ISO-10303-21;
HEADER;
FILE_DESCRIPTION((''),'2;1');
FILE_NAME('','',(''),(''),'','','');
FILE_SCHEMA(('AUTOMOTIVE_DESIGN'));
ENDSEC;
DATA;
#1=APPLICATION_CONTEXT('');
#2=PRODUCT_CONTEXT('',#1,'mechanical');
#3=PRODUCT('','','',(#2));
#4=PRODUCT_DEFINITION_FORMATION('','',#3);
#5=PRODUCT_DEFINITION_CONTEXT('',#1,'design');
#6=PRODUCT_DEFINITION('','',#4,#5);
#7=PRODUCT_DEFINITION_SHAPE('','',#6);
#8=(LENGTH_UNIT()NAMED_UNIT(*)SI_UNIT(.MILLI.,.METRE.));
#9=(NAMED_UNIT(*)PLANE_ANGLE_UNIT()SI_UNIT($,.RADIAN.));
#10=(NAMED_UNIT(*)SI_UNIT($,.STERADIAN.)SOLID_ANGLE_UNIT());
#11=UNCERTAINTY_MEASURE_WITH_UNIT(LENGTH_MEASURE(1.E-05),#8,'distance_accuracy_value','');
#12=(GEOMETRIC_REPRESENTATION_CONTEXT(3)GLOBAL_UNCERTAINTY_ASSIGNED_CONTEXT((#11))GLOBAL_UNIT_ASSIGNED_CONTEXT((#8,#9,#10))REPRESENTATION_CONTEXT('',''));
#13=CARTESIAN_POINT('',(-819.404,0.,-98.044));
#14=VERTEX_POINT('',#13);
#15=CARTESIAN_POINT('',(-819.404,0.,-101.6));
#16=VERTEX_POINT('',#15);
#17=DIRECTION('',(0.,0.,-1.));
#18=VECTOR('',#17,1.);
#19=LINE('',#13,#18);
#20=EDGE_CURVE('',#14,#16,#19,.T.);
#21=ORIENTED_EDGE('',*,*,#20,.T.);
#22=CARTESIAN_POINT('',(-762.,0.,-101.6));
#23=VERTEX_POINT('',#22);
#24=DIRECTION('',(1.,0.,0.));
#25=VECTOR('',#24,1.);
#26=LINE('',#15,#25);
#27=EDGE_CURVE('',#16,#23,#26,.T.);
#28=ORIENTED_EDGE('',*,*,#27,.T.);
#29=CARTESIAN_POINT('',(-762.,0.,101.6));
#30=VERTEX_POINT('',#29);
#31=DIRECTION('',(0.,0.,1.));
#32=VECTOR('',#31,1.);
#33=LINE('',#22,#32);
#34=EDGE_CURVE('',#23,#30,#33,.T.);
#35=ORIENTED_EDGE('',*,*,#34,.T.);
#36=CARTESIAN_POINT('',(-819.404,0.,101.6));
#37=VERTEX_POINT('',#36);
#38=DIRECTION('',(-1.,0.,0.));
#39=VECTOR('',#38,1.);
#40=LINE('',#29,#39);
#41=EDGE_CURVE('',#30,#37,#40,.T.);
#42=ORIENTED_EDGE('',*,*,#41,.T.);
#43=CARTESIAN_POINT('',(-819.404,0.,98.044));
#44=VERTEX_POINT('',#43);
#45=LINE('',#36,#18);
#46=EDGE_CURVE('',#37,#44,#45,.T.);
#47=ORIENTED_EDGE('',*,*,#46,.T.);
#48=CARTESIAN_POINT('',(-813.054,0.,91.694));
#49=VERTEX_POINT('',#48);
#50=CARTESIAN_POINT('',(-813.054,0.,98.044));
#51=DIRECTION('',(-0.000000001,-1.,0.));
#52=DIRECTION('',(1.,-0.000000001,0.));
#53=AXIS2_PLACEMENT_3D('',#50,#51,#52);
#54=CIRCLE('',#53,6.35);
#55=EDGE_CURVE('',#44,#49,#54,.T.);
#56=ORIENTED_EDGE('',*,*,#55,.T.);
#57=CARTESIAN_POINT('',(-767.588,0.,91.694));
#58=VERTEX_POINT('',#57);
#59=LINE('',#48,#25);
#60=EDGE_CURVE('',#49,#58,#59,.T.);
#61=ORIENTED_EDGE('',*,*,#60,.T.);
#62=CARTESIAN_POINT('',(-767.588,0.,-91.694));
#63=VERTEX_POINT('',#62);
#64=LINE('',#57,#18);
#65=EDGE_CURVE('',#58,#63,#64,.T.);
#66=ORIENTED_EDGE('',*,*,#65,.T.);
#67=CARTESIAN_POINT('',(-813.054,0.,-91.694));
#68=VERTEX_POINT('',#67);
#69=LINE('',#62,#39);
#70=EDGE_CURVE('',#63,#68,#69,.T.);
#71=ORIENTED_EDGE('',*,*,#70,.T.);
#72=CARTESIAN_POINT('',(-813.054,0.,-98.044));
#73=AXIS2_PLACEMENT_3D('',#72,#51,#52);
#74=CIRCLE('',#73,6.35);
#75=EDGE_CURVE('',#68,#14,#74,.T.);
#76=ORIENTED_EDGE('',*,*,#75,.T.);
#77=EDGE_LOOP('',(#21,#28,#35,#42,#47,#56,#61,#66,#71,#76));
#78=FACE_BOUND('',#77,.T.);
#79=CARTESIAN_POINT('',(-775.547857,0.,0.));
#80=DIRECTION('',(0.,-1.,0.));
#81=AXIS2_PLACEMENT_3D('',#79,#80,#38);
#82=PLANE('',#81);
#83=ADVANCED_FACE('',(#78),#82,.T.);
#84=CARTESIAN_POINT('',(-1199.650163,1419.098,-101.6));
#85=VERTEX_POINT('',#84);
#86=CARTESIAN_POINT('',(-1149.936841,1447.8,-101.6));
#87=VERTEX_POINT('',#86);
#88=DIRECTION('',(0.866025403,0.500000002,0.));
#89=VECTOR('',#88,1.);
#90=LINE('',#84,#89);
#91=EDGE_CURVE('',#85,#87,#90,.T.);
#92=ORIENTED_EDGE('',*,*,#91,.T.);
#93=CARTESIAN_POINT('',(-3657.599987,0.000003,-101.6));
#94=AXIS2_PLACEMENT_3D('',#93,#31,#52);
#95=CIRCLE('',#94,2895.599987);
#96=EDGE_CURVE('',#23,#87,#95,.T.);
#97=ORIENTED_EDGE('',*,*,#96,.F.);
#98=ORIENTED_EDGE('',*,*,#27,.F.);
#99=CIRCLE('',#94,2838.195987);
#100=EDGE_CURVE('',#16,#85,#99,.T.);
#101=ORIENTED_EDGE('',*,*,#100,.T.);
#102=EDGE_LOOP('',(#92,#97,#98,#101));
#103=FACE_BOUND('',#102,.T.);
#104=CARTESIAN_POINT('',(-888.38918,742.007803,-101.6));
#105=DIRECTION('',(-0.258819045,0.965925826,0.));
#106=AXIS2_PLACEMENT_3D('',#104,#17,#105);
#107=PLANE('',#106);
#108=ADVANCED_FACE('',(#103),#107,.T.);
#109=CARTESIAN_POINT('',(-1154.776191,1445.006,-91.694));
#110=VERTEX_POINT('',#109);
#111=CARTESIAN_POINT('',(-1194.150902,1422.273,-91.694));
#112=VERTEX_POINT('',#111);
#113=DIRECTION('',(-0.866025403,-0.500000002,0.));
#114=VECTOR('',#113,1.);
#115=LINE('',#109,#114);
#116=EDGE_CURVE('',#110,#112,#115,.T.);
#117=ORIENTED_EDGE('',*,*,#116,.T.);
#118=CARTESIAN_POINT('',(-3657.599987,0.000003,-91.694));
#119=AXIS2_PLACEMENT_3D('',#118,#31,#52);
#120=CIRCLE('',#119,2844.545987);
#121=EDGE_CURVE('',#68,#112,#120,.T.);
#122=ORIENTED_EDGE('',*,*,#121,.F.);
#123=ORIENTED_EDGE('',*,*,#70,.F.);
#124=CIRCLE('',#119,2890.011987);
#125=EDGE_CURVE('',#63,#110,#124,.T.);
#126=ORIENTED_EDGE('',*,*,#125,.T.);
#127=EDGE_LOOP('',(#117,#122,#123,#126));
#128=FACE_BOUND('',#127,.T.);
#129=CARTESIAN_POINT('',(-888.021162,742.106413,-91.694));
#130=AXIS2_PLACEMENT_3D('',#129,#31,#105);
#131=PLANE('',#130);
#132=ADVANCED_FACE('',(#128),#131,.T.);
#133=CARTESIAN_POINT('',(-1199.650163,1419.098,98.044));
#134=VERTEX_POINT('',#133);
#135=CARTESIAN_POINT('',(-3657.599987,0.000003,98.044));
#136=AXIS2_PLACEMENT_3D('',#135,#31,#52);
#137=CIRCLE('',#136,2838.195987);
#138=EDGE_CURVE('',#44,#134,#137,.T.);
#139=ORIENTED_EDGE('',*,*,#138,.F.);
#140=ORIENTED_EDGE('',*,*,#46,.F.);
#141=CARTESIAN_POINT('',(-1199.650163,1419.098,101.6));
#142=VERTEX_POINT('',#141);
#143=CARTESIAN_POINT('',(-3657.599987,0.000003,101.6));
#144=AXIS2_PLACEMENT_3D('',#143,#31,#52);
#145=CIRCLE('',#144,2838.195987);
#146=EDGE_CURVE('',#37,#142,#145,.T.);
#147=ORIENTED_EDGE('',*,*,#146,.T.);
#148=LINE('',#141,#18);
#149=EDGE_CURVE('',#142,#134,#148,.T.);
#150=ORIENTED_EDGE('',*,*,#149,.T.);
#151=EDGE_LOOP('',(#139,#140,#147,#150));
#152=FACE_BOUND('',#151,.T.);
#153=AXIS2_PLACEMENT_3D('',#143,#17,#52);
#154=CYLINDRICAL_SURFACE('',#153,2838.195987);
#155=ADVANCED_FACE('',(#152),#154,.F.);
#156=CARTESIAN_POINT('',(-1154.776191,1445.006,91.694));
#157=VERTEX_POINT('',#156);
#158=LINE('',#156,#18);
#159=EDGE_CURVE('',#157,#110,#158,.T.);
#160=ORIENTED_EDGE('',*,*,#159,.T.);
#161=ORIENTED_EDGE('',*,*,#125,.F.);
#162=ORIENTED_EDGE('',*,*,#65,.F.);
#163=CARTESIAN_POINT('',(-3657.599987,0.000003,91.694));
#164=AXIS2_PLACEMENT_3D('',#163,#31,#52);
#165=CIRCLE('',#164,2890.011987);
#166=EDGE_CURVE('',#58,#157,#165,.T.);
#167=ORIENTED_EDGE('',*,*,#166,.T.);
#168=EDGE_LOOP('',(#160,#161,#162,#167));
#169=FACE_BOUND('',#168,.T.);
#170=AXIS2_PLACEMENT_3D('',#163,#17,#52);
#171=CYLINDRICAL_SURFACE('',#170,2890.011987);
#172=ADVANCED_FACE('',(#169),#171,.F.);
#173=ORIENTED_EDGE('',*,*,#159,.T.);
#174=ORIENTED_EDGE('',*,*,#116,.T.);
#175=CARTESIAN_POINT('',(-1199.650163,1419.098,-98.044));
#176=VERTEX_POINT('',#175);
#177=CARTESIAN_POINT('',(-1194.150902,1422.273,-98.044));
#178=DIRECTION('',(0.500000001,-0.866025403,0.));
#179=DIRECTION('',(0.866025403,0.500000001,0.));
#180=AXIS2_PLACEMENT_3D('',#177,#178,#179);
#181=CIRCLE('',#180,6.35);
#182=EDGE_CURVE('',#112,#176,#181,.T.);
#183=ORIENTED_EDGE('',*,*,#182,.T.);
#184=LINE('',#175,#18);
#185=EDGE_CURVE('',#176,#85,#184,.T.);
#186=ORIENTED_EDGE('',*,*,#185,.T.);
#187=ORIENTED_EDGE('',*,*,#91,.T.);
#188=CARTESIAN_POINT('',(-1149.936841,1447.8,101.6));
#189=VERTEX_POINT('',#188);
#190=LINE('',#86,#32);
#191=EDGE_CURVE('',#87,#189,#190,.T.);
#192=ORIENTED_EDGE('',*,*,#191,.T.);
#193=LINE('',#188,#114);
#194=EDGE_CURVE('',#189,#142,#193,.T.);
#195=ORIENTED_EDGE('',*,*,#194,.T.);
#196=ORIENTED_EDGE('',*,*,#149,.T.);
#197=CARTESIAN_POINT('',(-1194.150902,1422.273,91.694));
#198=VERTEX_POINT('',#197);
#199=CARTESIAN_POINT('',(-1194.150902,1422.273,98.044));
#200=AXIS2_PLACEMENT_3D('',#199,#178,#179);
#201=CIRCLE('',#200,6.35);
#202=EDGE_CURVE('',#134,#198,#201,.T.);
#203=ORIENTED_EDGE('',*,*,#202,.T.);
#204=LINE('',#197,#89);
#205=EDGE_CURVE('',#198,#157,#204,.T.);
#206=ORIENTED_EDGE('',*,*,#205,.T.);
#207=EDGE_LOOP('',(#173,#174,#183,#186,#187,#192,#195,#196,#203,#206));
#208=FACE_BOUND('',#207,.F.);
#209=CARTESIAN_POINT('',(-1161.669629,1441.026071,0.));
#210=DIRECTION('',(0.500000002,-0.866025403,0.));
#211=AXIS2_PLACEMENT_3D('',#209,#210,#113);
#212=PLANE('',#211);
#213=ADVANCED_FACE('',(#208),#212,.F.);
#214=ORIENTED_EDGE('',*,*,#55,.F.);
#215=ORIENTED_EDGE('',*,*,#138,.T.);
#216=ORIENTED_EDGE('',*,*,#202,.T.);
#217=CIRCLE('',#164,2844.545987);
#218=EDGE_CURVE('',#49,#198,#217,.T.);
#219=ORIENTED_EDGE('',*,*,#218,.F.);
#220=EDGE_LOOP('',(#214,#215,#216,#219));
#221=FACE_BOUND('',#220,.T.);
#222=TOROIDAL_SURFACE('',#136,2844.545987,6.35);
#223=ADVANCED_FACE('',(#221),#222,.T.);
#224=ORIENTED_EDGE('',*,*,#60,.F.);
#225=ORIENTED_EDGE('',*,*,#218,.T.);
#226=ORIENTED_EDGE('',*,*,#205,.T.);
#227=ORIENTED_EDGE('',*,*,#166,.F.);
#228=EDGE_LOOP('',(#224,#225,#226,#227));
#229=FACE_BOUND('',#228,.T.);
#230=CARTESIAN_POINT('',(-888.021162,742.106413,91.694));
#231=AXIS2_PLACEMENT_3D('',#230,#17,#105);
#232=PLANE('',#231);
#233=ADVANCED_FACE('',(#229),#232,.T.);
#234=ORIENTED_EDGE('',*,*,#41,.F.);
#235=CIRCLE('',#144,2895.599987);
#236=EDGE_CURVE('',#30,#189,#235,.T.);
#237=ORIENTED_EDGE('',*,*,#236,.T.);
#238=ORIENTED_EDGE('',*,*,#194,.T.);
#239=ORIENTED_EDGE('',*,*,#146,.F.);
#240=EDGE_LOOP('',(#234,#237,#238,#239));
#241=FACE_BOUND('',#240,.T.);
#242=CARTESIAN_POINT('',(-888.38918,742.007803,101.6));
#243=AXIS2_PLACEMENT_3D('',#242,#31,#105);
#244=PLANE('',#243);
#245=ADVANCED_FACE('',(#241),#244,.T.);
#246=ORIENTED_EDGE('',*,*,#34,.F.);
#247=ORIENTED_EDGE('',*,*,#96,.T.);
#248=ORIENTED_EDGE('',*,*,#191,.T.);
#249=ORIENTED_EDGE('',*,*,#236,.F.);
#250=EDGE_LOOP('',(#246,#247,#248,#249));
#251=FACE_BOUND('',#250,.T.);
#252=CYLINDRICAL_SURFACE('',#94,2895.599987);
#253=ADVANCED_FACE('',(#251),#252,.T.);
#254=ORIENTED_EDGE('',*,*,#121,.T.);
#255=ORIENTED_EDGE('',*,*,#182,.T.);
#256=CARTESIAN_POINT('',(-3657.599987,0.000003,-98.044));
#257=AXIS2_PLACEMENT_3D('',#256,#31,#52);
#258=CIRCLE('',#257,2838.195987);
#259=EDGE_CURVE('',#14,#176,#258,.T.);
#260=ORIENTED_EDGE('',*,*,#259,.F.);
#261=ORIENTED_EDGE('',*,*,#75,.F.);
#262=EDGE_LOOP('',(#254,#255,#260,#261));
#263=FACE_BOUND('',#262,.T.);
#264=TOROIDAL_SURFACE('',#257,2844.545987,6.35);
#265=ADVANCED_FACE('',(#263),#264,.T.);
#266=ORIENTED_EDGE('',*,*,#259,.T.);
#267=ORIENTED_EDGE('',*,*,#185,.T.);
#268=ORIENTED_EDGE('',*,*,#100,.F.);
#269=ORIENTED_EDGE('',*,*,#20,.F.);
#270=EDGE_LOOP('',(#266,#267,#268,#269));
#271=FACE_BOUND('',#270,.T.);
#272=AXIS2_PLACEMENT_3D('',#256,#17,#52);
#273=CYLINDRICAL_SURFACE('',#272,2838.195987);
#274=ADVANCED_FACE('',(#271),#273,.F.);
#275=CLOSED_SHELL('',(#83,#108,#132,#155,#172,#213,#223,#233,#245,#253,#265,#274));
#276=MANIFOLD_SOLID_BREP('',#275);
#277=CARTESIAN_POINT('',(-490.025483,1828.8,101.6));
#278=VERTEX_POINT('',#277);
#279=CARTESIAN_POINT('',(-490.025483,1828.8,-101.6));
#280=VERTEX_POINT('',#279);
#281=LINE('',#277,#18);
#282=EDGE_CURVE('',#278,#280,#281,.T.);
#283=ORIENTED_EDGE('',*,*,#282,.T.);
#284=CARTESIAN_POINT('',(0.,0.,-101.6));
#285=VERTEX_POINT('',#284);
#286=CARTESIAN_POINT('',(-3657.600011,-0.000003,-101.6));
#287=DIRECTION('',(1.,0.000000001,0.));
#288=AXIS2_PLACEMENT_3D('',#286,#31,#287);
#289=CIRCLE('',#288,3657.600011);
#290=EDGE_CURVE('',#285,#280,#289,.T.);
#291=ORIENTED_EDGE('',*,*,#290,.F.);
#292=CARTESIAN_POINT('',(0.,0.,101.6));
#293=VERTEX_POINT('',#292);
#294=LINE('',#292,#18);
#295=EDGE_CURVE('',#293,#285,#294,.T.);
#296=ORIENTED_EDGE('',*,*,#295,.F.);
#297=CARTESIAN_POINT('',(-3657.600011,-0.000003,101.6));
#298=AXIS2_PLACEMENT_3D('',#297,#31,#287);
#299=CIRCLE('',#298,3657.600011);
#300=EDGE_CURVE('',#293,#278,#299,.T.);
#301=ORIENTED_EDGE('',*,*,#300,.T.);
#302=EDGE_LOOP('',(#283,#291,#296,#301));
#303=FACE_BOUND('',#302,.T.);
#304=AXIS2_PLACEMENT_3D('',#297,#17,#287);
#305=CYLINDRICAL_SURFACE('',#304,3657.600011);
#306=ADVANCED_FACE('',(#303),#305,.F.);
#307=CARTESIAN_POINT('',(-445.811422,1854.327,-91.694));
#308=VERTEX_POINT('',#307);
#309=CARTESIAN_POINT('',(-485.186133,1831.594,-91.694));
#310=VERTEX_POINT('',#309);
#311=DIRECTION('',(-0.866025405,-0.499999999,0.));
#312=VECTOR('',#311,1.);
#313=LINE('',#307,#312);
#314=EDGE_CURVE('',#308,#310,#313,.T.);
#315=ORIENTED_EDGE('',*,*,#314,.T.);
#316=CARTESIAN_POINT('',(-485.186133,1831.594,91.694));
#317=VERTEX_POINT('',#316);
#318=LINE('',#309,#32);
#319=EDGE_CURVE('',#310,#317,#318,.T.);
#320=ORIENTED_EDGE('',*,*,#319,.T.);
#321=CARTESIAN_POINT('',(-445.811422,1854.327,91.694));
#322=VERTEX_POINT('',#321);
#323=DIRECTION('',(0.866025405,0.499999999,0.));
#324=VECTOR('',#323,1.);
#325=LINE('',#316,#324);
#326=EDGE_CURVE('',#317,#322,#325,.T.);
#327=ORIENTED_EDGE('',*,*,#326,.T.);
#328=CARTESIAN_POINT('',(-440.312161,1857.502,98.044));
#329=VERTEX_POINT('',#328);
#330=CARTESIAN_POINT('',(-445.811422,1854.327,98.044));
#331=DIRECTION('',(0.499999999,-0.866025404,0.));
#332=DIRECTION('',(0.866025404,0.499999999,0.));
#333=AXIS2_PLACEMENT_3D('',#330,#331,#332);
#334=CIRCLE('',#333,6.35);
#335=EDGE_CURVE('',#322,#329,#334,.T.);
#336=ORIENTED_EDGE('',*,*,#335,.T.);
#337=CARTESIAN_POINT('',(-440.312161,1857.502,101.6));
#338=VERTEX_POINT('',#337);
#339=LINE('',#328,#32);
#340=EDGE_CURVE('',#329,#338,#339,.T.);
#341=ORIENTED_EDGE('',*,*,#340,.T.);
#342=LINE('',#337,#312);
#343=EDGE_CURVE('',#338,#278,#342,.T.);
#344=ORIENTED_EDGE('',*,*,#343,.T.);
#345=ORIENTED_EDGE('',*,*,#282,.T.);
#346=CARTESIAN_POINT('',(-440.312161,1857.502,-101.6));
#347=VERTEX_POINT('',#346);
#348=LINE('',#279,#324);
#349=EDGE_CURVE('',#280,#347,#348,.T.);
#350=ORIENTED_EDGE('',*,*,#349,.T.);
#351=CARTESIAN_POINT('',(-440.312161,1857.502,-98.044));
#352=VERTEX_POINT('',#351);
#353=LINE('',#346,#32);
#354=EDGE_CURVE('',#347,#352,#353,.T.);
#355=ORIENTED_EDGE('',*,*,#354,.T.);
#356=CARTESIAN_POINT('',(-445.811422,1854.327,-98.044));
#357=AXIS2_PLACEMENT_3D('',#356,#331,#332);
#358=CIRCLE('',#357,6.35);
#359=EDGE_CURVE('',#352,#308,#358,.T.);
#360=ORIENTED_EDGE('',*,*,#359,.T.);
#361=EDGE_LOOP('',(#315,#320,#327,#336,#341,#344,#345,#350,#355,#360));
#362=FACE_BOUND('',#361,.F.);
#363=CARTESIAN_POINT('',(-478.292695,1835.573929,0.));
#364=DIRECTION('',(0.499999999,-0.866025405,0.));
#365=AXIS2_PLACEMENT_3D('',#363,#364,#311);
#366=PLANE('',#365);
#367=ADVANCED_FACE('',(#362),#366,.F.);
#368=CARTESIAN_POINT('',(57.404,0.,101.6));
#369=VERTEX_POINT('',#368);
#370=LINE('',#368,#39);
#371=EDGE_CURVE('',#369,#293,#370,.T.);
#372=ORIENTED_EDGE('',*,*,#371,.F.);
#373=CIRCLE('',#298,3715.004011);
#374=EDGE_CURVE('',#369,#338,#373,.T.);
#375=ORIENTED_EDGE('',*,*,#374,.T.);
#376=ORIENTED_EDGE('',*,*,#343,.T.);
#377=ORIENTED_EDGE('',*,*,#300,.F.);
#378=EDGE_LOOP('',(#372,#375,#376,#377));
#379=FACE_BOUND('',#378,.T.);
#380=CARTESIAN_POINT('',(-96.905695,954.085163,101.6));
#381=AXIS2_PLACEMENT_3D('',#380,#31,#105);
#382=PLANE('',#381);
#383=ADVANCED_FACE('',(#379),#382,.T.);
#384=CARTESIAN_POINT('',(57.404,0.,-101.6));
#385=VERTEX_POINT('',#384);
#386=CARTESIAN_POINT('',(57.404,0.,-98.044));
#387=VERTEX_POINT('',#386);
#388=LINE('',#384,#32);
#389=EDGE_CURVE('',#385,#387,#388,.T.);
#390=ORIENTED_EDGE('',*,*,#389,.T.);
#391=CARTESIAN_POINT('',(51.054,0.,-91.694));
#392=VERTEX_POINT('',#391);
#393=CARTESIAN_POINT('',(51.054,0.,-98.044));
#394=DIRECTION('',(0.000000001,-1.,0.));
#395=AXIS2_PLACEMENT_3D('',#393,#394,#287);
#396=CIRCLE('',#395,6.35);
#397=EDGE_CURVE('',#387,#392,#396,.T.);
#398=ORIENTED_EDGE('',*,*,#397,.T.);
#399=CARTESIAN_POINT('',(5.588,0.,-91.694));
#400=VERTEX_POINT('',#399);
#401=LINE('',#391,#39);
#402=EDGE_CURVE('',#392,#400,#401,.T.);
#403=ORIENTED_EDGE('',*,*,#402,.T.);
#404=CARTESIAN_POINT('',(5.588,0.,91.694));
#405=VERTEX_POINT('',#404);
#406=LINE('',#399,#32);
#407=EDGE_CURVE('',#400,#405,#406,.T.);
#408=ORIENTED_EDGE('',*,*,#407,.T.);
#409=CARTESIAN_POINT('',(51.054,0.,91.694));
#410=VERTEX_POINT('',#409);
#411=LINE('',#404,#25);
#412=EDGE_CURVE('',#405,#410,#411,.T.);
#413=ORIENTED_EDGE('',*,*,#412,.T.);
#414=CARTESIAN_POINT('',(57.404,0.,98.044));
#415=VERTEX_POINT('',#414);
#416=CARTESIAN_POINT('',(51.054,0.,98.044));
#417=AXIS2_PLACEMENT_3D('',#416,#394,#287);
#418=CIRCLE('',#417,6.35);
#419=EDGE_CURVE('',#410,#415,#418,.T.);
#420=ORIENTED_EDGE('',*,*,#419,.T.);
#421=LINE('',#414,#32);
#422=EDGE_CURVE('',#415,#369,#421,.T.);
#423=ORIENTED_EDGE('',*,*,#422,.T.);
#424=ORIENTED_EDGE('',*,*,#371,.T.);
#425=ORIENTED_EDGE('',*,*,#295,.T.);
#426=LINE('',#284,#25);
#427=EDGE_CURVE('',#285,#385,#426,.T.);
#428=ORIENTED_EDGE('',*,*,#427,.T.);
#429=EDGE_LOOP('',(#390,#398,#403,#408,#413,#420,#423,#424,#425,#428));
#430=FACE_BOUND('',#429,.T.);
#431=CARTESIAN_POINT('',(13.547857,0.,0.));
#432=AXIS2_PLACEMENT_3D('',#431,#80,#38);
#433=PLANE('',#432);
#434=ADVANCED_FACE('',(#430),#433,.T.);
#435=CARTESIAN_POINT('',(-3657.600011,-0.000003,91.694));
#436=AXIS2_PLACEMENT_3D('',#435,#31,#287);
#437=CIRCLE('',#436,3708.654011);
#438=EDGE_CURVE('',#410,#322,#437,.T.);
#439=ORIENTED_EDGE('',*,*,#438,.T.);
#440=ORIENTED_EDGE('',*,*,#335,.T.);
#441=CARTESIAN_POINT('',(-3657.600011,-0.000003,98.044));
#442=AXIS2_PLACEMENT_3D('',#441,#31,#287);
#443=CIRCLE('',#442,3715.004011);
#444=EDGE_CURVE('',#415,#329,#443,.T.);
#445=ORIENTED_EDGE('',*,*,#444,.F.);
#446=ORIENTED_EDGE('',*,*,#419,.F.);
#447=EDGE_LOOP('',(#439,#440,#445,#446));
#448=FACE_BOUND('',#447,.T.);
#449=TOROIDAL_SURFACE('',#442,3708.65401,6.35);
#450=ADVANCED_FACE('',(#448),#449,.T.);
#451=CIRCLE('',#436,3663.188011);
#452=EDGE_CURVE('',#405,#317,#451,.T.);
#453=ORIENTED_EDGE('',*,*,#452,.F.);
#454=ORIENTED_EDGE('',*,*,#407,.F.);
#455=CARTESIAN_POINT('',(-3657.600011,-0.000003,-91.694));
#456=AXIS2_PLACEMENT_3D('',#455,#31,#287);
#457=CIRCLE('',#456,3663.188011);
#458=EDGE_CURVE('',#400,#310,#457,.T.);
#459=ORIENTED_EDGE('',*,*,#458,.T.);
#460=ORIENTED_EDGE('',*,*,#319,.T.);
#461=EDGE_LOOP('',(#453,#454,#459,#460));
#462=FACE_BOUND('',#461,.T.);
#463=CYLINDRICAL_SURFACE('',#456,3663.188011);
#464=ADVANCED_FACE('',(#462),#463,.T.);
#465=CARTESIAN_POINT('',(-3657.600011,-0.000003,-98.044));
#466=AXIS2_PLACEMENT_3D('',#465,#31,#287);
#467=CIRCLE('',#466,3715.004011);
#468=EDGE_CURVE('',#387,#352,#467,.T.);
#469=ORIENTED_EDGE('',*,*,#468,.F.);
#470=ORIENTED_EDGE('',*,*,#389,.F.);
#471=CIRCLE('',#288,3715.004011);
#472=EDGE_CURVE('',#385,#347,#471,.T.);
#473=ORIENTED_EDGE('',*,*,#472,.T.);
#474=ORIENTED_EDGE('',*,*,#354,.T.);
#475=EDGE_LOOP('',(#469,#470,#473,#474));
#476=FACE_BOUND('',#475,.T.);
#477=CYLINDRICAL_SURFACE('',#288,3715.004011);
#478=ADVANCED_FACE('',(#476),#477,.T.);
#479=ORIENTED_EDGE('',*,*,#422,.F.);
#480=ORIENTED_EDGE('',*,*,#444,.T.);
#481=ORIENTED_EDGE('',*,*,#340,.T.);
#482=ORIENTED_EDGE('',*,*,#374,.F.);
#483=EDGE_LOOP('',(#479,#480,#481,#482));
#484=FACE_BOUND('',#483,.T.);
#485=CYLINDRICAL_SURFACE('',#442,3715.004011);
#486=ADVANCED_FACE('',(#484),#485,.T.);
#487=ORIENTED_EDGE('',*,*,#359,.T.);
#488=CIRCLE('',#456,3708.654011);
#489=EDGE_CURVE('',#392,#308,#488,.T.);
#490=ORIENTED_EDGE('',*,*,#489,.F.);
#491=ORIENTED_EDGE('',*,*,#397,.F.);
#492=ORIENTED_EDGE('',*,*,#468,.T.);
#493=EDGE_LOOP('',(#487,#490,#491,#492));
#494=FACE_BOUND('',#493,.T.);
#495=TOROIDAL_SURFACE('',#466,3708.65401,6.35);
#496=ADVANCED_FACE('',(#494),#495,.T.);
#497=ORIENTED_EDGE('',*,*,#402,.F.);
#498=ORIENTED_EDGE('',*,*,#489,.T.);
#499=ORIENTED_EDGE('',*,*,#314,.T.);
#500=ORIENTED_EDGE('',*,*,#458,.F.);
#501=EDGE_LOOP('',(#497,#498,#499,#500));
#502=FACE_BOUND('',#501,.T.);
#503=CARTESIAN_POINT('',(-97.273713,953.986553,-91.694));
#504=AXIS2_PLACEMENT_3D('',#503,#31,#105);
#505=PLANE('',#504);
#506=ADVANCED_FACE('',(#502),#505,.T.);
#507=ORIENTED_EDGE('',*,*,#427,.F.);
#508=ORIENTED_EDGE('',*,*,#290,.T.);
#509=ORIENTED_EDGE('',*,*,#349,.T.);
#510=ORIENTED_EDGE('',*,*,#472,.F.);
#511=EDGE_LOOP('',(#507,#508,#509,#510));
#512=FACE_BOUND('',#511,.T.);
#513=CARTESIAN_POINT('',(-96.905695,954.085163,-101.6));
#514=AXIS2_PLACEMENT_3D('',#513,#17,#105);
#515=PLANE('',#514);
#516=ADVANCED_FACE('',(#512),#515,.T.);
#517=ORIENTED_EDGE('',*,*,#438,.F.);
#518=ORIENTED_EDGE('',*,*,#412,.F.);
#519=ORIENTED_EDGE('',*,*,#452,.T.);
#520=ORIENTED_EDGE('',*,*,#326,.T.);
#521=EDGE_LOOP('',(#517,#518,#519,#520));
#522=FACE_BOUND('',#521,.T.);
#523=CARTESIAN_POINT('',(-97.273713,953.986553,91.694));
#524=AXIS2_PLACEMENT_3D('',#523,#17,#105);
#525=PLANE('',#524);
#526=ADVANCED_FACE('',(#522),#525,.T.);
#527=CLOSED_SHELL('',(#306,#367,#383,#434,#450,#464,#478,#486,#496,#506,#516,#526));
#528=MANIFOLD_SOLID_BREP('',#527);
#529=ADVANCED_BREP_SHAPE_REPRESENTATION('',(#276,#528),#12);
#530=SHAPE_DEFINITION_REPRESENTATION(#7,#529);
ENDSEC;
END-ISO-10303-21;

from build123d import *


with BuildPart() as f2:
    # F2: sweep along a path in F1
    with BuildLine(Plane.XY) as f2_path:
        ThreePointArc((0, 0), (-124.629698, 946.656539), (-490.025483, 1828.8))
    # F0 (on Front) → F2 (sweep)
    with BuildSketch(Plane.XZ):
        with BuildLine():
            Line((0, 101.6), (0, 0))
            Line((0, 0), (0, -101.6))
            Line((0, -101.6), (57.404, -101.6))
            Line((57.404, -101.6), (57.404, -98.044))
            ThreePointArc((57.404, -98.044), (55.544128, -93.553872), (51.054, -91.694))
            Line((51.054, -91.694), (5.588, -91.694))
            Line((5.588, -91.694), (5.588, 0))
            Line((5.588, 0), (5.588, 91.694))
            Line((5.588, 91.694), (51.054, 91.694))
            ThreePointArc((51.054, 91.694), (55.544128, 93.553872), (57.404, 98.044))
            Line((57.404, 98.044), (57.404, 101.6))
            Line((57.404, 101.6), (0, 101.6))
        make_face()
    sweep(path=f2_path.line)


with BuildPart() as f3:
    # F3: sweep along a path in F1
    with BuildLine(Plane.XY) as f3_path:
        ThreePointArc((-762, 0), (-860.665177, 749.436427), (-1149.936841, 1447.8))
    # F0 (on Front) → F3 (sweep)
    with BuildSketch(Plane.XZ):
        with BuildLine():
            Line((-762, 0), (-762, 101.6))
            Line((-762, 101.6), (-819.404, 101.6))
            Line((-819.404, 101.6), (-819.404, 98.044))
            ThreePointArc((-819.404, 98.044), (-817.544128, 93.553872), (-813.054, 91.694))
            Line((-813.054, 91.694), (-767.588, 91.694))
            Line((-767.588, 91.694), (-767.588, 0))
            Line((-767.588, 0), (-767.588, -91.694))
            Line((-767.588, -91.694), (-813.054, -91.694))
            ThreePointArc((-813.054, -91.694), (-817.544128, -93.553872), (-819.404, -98.044))
            Line((-819.404, -98.044), (-819.404, -101.6))
            Line((-819.404, -101.6), (-762, -101.6))
            Line((-762, -101.6), (-762, 0))
        make_face()
    sweep(path=f3_path.line)


solid = Compound([f2.part, f3.part])
